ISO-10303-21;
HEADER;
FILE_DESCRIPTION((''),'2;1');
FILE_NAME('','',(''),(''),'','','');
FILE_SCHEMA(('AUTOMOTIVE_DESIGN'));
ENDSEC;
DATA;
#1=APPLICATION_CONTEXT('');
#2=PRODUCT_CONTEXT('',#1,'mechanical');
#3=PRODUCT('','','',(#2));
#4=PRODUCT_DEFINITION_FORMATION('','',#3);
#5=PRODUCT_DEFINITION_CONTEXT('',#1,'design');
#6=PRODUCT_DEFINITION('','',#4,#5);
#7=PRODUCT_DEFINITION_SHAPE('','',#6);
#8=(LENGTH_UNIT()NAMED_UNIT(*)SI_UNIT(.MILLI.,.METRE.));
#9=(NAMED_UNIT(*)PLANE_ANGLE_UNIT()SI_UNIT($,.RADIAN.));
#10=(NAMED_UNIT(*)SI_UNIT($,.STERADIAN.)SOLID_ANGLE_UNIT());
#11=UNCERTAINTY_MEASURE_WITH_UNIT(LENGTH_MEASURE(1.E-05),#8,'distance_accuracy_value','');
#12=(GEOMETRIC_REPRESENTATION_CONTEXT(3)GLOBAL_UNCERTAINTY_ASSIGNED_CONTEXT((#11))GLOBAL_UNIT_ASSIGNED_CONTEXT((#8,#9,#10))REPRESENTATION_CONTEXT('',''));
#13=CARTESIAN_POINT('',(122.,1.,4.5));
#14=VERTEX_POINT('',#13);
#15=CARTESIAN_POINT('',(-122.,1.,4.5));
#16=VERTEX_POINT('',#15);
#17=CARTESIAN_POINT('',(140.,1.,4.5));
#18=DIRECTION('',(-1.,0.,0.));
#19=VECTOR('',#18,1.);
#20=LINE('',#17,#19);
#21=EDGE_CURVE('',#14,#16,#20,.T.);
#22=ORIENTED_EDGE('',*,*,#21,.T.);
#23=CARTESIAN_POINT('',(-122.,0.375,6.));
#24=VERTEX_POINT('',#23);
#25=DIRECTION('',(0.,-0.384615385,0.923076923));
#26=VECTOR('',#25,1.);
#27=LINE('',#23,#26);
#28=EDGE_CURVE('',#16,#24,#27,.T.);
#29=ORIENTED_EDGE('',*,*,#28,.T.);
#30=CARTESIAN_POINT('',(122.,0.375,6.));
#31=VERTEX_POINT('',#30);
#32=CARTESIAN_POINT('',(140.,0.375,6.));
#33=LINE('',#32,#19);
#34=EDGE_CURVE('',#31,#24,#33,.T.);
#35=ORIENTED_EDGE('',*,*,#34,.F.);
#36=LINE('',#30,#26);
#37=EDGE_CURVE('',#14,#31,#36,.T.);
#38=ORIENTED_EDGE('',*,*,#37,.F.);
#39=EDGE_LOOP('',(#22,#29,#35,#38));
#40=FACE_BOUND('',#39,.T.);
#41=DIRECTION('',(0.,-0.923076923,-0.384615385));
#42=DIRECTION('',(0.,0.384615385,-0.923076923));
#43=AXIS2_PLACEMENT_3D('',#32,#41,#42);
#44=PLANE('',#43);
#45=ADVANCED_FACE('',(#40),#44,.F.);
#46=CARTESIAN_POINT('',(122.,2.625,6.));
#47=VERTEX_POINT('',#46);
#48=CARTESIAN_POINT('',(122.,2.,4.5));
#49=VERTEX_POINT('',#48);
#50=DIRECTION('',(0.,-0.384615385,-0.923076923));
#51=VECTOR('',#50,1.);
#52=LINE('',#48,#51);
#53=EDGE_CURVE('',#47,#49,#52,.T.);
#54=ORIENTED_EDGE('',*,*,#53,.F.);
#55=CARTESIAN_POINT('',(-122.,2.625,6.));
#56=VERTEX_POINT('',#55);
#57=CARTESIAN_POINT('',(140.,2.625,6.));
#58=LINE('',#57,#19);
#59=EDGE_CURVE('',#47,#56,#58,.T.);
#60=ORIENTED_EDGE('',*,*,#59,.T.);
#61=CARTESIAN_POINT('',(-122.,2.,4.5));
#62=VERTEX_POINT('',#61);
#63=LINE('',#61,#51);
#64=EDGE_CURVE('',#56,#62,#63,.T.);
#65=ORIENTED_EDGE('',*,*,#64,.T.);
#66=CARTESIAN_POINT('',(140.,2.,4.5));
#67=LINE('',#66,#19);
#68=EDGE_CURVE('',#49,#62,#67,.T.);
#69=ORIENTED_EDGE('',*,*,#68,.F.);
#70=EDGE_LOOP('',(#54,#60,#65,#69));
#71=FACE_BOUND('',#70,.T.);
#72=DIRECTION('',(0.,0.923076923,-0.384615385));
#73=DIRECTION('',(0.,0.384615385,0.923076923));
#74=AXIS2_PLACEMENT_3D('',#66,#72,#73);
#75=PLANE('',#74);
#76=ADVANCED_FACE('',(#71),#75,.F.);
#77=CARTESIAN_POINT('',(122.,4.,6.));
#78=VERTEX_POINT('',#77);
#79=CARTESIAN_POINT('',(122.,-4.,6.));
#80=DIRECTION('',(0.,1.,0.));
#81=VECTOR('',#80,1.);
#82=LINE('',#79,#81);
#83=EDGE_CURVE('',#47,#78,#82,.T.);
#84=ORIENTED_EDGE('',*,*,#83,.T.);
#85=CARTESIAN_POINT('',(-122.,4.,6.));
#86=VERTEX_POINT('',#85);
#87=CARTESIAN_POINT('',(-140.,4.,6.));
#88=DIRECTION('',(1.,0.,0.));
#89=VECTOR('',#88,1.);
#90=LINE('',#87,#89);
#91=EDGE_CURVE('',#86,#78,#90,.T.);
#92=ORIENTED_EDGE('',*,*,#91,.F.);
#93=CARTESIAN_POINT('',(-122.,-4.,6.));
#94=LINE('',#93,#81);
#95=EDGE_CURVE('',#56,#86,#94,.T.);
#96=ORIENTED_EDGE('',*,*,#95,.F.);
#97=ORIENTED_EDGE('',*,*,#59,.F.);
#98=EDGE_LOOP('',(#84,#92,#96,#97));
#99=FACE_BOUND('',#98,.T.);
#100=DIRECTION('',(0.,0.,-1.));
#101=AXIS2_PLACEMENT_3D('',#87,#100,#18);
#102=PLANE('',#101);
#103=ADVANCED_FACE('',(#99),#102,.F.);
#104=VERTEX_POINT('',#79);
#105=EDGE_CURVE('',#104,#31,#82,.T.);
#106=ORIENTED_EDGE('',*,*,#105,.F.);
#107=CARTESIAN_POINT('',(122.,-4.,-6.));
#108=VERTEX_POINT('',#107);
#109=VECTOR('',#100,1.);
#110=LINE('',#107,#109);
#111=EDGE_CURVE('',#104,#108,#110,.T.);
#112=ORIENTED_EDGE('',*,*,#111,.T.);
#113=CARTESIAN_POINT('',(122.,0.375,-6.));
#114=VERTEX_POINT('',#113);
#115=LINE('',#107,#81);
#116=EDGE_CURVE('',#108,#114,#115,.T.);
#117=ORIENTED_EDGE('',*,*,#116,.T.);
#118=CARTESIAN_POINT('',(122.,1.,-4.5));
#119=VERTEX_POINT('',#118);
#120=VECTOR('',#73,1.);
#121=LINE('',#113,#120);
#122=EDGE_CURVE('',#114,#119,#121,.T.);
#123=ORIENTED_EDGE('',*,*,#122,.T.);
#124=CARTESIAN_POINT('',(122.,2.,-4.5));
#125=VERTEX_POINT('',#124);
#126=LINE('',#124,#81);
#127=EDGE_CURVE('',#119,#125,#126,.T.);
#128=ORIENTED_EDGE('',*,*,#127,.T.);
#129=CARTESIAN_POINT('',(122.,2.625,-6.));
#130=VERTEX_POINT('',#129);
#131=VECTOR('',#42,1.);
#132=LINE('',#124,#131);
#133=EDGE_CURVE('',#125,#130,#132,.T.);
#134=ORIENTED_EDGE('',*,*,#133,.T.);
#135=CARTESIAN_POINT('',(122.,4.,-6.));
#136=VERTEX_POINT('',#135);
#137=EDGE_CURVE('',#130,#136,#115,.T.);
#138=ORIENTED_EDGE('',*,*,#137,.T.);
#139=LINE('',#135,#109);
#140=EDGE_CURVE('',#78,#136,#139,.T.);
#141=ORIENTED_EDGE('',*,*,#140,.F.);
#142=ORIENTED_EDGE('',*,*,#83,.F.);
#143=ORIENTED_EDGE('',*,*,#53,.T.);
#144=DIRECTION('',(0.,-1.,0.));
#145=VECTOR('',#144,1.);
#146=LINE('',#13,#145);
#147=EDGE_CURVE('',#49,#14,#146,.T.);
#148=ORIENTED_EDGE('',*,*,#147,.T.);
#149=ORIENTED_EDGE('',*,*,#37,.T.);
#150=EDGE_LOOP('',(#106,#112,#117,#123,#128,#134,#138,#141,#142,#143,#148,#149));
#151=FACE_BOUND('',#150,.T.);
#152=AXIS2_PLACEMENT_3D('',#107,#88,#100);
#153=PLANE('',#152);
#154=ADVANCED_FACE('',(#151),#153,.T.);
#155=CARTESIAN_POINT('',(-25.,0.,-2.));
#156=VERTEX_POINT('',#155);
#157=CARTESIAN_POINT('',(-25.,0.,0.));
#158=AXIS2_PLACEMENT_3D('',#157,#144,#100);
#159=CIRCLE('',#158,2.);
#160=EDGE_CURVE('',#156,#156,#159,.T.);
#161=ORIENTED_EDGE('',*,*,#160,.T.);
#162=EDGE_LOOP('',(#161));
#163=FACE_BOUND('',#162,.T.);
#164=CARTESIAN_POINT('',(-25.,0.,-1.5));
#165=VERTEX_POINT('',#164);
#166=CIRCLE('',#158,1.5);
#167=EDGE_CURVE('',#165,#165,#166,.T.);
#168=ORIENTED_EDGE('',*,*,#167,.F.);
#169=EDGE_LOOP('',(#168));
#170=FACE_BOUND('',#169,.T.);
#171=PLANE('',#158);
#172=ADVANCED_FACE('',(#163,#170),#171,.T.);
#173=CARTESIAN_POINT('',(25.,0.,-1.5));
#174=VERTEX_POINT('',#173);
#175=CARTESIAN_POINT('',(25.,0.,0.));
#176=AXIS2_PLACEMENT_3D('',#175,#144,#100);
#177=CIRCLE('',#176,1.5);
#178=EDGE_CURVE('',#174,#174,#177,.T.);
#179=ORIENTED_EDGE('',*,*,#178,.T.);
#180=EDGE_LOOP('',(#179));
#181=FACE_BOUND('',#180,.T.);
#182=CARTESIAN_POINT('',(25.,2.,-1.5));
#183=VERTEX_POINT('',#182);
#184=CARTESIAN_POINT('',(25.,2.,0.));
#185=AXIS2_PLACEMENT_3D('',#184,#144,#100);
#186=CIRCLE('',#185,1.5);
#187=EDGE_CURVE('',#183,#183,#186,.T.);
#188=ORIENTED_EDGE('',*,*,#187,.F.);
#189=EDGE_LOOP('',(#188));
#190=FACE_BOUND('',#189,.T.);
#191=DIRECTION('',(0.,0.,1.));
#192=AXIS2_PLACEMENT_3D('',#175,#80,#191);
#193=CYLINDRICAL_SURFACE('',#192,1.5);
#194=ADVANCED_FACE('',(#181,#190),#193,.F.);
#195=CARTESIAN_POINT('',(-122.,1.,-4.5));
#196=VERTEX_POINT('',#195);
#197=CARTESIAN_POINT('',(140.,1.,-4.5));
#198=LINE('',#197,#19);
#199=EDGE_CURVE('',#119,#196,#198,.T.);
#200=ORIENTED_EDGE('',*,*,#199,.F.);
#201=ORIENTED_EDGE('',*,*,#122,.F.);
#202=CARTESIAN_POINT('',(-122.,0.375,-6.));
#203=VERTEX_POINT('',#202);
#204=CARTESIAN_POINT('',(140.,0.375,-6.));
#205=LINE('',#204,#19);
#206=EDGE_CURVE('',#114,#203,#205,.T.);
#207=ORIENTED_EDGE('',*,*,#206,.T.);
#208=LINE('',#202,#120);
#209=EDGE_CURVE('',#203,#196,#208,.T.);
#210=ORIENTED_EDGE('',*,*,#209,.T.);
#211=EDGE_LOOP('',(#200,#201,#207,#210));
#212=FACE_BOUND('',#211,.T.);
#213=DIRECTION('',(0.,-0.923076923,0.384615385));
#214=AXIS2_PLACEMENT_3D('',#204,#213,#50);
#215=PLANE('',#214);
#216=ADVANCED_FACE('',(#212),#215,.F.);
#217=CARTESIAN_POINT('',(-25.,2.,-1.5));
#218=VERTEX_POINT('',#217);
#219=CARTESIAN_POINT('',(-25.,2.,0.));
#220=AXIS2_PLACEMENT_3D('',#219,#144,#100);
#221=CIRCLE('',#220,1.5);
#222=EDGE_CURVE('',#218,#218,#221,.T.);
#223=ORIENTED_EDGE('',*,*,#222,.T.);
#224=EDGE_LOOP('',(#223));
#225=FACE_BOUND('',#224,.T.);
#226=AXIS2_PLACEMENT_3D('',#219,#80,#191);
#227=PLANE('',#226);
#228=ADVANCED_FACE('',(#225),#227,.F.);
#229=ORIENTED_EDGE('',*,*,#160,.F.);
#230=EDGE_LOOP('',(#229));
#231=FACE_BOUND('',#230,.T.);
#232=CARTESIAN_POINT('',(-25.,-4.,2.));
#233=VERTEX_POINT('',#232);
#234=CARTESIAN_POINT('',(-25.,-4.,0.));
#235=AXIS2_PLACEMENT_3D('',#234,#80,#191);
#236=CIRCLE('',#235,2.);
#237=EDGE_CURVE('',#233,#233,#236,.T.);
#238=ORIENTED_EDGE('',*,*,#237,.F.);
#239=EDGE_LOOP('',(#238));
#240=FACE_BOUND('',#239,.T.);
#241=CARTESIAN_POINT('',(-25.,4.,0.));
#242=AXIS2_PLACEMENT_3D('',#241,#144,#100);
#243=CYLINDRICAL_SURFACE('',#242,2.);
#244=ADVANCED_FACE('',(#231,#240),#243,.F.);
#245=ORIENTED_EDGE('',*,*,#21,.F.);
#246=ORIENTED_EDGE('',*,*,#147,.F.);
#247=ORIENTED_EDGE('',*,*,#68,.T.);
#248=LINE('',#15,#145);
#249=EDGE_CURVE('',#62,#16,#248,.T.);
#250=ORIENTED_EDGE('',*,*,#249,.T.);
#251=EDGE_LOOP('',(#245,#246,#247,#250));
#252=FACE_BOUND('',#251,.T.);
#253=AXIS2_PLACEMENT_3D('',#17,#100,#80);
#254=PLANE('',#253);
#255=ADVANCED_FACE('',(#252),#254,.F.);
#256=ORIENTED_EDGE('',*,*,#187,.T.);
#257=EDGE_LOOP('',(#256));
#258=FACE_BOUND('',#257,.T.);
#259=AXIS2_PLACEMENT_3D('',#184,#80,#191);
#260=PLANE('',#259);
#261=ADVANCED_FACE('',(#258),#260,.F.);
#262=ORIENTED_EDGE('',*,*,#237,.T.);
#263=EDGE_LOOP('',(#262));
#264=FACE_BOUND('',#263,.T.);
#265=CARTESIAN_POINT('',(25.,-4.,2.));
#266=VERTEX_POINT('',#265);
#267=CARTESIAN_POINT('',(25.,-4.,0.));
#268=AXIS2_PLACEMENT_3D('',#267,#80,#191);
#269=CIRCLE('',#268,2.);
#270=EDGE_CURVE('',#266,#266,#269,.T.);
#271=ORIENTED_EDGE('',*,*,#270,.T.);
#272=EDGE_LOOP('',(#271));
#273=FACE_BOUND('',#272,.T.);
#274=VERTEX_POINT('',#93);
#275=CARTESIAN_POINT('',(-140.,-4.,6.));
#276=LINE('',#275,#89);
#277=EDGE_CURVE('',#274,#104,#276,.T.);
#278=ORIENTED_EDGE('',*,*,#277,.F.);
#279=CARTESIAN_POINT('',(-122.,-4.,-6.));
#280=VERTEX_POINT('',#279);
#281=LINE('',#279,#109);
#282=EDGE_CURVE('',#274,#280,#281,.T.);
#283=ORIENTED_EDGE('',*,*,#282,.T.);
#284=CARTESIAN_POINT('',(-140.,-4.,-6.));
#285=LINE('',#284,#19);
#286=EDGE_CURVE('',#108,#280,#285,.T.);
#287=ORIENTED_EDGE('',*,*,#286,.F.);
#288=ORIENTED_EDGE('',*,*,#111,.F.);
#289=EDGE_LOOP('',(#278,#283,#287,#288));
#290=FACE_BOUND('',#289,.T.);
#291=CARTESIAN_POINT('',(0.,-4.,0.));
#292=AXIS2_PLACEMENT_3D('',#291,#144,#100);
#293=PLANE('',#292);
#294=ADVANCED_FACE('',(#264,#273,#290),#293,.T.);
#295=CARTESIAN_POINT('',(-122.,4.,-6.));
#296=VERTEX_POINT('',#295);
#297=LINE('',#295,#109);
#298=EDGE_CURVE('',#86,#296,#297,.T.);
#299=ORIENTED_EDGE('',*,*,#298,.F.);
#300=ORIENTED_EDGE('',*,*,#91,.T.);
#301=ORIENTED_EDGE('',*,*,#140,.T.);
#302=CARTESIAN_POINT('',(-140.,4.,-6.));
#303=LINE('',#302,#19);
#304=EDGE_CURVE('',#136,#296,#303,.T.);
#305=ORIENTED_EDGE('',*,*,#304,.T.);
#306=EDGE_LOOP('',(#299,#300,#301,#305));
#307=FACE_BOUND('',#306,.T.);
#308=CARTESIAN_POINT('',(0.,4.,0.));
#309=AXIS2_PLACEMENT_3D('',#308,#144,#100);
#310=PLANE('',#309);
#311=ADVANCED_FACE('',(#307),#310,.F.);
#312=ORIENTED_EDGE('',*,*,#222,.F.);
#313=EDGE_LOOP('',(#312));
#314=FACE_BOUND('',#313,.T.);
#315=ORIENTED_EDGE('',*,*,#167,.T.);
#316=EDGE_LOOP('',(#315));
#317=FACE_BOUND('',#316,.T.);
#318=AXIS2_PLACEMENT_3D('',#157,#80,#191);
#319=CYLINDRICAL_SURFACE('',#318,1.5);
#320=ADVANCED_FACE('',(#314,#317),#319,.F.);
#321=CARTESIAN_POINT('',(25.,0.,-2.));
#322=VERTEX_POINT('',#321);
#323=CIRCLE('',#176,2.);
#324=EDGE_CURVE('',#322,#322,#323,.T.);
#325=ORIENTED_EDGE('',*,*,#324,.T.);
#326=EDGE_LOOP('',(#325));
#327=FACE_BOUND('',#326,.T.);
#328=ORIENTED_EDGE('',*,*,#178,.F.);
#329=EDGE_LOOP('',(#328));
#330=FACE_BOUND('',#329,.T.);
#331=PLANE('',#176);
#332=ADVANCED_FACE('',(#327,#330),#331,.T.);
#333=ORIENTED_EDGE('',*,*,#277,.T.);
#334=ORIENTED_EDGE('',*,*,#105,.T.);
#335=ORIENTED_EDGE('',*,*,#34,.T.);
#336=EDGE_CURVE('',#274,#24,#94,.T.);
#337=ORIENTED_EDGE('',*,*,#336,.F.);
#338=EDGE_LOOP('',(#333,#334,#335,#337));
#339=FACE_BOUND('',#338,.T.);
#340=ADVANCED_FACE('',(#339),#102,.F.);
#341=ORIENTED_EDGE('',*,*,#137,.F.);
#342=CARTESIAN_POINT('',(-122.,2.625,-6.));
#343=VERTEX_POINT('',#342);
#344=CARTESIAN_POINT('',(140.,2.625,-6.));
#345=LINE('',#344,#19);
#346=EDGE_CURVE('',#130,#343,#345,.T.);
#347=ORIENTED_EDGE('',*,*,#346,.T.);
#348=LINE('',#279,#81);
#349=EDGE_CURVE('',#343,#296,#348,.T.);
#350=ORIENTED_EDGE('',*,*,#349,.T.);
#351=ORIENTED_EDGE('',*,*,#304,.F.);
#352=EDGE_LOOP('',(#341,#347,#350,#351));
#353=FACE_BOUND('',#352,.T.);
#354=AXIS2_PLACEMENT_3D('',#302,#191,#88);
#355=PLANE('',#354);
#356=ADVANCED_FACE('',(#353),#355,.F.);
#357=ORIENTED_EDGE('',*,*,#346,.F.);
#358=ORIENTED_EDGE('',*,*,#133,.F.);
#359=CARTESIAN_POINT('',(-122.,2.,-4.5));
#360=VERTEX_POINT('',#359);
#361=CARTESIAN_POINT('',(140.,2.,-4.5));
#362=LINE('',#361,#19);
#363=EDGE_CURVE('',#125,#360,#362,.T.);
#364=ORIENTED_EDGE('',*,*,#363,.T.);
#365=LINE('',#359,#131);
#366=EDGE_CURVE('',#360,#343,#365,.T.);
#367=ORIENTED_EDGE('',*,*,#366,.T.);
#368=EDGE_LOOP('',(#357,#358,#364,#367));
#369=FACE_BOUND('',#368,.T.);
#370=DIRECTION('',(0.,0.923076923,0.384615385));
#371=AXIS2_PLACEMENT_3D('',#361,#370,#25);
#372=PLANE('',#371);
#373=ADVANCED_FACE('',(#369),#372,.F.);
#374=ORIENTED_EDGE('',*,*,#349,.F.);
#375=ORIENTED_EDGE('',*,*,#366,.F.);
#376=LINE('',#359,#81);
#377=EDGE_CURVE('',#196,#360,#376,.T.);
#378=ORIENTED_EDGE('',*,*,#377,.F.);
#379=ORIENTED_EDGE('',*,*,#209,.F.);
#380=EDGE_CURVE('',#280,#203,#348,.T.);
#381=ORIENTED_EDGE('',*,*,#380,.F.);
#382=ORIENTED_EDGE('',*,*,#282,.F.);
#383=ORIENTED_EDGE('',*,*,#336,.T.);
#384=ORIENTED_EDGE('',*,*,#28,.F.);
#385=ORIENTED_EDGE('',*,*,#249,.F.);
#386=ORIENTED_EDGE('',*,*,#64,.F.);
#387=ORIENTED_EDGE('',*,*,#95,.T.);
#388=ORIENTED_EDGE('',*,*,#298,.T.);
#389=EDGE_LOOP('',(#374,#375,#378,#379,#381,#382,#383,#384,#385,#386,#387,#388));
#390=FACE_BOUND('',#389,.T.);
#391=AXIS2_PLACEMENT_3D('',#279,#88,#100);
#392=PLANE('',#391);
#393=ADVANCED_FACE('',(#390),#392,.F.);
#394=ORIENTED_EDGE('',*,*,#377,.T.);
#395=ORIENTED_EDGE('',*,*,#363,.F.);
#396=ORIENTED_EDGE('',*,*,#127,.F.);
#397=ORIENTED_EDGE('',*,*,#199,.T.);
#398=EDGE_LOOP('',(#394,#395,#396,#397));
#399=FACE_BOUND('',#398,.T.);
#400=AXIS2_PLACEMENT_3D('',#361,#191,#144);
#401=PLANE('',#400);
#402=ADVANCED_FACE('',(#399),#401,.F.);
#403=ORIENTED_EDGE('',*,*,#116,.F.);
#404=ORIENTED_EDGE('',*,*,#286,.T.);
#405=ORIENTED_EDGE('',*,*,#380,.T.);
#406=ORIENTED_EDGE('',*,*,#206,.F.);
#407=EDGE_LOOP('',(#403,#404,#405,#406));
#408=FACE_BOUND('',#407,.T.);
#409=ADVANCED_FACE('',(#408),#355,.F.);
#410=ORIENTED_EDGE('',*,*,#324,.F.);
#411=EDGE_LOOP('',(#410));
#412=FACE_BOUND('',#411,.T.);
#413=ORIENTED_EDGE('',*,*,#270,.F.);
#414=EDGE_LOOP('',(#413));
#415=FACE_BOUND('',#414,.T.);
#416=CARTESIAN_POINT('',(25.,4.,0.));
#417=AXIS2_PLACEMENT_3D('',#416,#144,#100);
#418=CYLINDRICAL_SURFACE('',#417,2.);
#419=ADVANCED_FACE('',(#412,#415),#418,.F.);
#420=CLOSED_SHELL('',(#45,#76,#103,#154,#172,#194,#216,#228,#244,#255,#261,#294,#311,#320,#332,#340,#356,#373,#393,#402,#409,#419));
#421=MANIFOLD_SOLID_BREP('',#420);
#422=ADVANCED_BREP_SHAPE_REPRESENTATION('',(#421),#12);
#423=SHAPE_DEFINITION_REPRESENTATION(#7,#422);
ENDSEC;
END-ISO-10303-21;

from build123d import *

# Parameters (mm, degrees)
SKETCH2_W           = 280
SKETCH2_H           = 12
SKETCH2_R           = 2
BOSS_EXTRUDE1_DEPTH = 4
CUT_EXTRUDE1_DEPTH  = 281
SKETCH5_R           = 2
BOSS_EXTRUDE2_DEPTH = 2
SKETCH4_W           = 18
SKETCH4_H           = 12
CUT_EXTRUDE2_DEPTH  = 9
BOSS_EXTRUDE3_REACH = 10
SKETCH7_R           = 2
SKETCH8_R           = 2
SKETCH8_R_2         = 1.5
BOSS_EXTRUDE4_DEPTH = 2


with BuildPart() as part:
    # Sketch2 → Boss-Extrude1 (new body, symmetric)
    with BuildSketch(Plane(origin=(0, 0, 0), x_dir=(1, 0, 0), z_dir=(0, 1, 0))):
        Rectangle(SKETCH2_W, SKETCH2_H)
        with Locations((-125, 0)):
            Circle(SKETCH2_R, mode=Mode.SUBTRACT)
        with Locations((-75, 0)):
            Circle(SKETCH2_R, mode=Mode.SUBTRACT)
        with Locations((-25, 0)):
            Circle(SKETCH2_R, mode=Mode.SUBTRACT)
        with Locations((25, 0)):
            Circle(SKETCH2_R, mode=Mode.SUBTRACT)
        with Locations((75, 0)):
            Circle(SKETCH2_R, mode=Mode.SUBTRACT)
        with Locations((125, 0)):
            Circle(SKETCH2_R, mode=Mode.SUBTRACT)
    extrude(amount=BOSS_EXTRUDE1_DEPTH, both=True)

    # Sketch3 → Cut-Extrude1 (cut, through all)
    with BuildSketch(Plane.ZY.offset(140)):
        Polygon((-6, 2.625), (-6, 0.375), (-4.5, 1), (-4.5, 2), align=None)
        Polygon((6, 2.625), (6, 0.375), (4.5, 1), (4.5, 2), align=None)
    extrude(amount=-CUT_EXTRUDE1_DEPTH, mode=Mode.SUBTRACT)

    # Sketch5 → Boss-Extrude2 (add)
    with BuildSketch(Plane(origin=(0, 4, 0), x_dir=(1, 0, 0), z_dir=(0, 1, 0))):
        with Locations((-75, 0)):
            Circle(SKETCH5_R)
        with Locations((-25, 0)):
            Circle(SKETCH5_R)
        with Locations((25, 0)):
            Circle(SKETCH5_R)
        with Locations((75, 0)):
            Circle(SKETCH5_R)
        with Locations((-125, 0)):
            Circle(SKETCH5_R)
        with Locations((125, 0)):
            Circle(SKETCH5_R)
    extrude(amount=-BOSS_EXTRUDE2_DEPTH)

    # Sketch4 → Cut-Extrude2 (cut, through all)
    with BuildSketch(Plane(origin=(0, 4, 0), x_dir=(1, 0, 0), z_dir=(0, 1, 0))):
        with Locations((-131, 0)):
            Rectangle(SKETCH4_W, SKETCH4_H)
    cut_extrude2 = extrude(amount=-CUT_EXTRUDE2_DEPTH, mode=Mode.SUBTRACT)

    # Mirror1: Cut-Extrude2 across plane
    add(cut_extrude2.mirror(Plane(origin=(0, 0, 0), x_dir=(0, 0, 1), z_dir=(1, 0, 0))), mode=Mode.SUBTRACT)

    # Sketch7 → Boss-Extrude3 (add, up to next)
    with BuildSketch(Plane.XZ.offset(4), mode=Mode.PRIVATE) as boss_extrude3_sk1:
        with Locations((-75, 0)):
            Circle(SKETCH7_R)
    boss_extrude3_tool1 = extrude(boss_extrude3_sk1.sketch, amount=-BOSS_EXTRUDE3_REACH, mode=Mode.PRIVATE) - part.part
    add(boss_extrude3_tool1.solids().sort_by_distance((-75, -4, 0))[0])
    # Sketch7 → Boss-Extrude3 (add, up to next)
    with BuildSketch(Plane.XZ.offset(4), mode=Mode.PRIVATE) as boss_extrude3_sk2:
        with Locations((75, 0)):
            Circle(SKETCH7_R)
    boss_extrude3_tool2 = extrude(boss_extrude3_sk2.sketch, amount=-BOSS_EXTRUDE3_REACH, mode=Mode.PRIVATE) - part.part
    add(boss_extrude3_tool2.solids().sort_by_distance((75, -4, 0))[0])

    # Sketch8 → Boss-Extrude4 (add)
    with BuildSketch(Plane.XZ.offset(-2)):
        with Locations((-25, 0)):
            Circle(SKETCH8_R)
        with Locations((-25, 0)):
            Circle(SKETCH8_R_2, mode=Mode.SUBTRACT)
        with Locations((25, 0)):
            Circle(SKETCH8_R)
        with Locations((25, 0)):
            Circle(SKETCH8_R_2, mode=Mode.SUBTRACT)
    extrude(amount=BOSS_EXTRUDE4_DEPTH)


solid = part.part
